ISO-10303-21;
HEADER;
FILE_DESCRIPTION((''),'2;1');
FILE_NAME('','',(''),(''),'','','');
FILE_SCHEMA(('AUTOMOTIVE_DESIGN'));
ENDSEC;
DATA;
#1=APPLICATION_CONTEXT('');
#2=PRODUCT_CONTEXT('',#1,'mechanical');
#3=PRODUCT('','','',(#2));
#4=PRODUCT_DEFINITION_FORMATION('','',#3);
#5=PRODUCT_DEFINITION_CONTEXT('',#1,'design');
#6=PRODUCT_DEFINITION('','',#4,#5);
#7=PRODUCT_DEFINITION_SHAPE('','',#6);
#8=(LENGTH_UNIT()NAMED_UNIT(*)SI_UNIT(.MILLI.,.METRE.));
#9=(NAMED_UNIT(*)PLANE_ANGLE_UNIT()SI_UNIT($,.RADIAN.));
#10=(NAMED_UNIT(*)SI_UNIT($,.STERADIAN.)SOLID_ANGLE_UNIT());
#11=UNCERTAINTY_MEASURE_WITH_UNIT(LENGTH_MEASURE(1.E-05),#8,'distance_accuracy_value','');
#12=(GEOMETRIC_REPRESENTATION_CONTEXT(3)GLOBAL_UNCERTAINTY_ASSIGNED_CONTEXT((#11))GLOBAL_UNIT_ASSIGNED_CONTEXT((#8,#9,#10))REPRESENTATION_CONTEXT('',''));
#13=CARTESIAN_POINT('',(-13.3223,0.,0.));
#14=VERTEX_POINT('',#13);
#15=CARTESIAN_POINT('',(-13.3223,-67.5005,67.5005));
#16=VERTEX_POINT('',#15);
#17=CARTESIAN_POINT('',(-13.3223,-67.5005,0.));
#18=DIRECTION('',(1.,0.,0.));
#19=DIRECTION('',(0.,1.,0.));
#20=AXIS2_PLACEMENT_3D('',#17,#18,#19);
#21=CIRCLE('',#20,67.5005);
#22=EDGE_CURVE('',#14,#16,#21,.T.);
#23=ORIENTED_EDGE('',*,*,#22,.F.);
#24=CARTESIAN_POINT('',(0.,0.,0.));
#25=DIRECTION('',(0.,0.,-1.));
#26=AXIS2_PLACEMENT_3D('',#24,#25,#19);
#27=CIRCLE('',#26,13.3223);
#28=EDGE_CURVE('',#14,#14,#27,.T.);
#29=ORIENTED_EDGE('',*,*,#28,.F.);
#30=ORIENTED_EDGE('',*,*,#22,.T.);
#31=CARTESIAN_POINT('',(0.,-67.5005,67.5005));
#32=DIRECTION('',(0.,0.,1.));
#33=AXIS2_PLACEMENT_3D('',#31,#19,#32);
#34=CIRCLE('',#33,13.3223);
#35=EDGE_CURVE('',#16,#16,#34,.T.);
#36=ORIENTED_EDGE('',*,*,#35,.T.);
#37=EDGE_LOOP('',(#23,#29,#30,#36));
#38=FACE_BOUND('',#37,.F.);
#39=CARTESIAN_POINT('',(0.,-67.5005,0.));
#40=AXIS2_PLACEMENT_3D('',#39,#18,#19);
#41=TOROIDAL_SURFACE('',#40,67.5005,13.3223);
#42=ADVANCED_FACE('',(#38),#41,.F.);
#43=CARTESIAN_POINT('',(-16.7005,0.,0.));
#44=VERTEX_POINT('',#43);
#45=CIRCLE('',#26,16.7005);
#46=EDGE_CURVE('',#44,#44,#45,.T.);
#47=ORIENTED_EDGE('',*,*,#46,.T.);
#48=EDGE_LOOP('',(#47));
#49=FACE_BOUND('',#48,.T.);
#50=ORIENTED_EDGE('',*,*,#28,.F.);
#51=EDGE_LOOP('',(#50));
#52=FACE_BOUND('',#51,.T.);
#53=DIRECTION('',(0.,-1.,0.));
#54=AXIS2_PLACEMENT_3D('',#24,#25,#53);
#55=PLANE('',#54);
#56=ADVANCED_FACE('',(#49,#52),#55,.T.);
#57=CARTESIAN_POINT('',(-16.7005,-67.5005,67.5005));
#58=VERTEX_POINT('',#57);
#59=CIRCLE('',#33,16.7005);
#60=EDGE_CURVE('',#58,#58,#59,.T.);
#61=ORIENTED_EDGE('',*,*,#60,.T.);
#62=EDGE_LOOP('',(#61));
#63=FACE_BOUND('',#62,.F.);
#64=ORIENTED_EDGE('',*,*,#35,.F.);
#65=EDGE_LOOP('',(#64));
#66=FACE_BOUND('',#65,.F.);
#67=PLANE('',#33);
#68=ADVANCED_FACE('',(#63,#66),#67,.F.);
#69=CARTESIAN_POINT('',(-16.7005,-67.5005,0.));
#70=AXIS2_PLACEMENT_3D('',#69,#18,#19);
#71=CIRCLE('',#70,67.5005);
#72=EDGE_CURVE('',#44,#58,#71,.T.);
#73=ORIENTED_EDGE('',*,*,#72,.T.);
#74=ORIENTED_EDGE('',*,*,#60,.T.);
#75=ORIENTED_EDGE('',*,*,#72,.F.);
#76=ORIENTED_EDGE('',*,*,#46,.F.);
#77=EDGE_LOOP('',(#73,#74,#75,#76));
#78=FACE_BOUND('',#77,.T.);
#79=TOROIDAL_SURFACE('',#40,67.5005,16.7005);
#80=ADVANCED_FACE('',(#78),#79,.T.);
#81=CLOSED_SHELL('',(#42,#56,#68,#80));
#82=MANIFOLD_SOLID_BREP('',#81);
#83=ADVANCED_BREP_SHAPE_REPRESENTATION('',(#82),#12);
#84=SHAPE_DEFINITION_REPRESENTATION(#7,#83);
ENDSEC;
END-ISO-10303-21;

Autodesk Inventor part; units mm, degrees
ref_plane "Start plane" through (0, 0, 0) normal (0, 0, 1) x (1, 0, 0)
ref_plane "End plane" through (0, 0, 106.0295) normal (0, 0, 1) x (1, 0, 0)
sketch "Sketch" plane through (0, 0, 0) normal (0, 0, -1) x (-1, 0, 0)
  circle A0 centre (0, 0) radius 13.3223
  circle A1 centre (0, 0) radius 16.7005
  dimension "d0" = 33.401
  dimension "d1" = 3.3782
sketch "Sketch3" plane through (0, 0, 0) normal (0, 0, 1) x (1, 0, 0)
  line L0 (0, 0) -> (10, 0)
ref_plane "Work Plane3" through (0, 0, 0) normal (0, -1, 0) x (1, 0, 0)
sketch "Sketch4" plane through (0, 0, 0) normal (0, -1, 0) x (1, 0, 0)
  line L0 (-2, 0) -> (12, 0)
  line L1 (-23.3807, 106.0295) -> (23.3807, 106.0295)
  dimension "d7" = 106.0295
ref_plane "Orientation Work Plane" through (0, 0, 0) normal (0, 0, -1) x (-1, 0, 0)
sketch3d "Sweep Path"
  arc A0 (0, 0, 0) -> (0, -67.5005, 67.5005) centre (0, -67.5005, 0) ccw
sweep "Body" add profiles "Sketch" path "Sweep Path"
equation "\"d0\" = G_H"
equation "\"d1\" = G_T"
equation "\"G_H\" = 33.401"
equation "\"G_T\" = 3.3782"
equation "\"G_L\" = d7"
equation "\"G_OFFSET_START\" = 0"
equation "\"G_OFFSET_END\" = 0"
equation "\"d5\" = G_OFFSET_END + B_L"
equation "\"B_L\" = 106.02954"
properties part number "ANSI - 1 x 0.133 - 4.174" material "Steel, Mild"
